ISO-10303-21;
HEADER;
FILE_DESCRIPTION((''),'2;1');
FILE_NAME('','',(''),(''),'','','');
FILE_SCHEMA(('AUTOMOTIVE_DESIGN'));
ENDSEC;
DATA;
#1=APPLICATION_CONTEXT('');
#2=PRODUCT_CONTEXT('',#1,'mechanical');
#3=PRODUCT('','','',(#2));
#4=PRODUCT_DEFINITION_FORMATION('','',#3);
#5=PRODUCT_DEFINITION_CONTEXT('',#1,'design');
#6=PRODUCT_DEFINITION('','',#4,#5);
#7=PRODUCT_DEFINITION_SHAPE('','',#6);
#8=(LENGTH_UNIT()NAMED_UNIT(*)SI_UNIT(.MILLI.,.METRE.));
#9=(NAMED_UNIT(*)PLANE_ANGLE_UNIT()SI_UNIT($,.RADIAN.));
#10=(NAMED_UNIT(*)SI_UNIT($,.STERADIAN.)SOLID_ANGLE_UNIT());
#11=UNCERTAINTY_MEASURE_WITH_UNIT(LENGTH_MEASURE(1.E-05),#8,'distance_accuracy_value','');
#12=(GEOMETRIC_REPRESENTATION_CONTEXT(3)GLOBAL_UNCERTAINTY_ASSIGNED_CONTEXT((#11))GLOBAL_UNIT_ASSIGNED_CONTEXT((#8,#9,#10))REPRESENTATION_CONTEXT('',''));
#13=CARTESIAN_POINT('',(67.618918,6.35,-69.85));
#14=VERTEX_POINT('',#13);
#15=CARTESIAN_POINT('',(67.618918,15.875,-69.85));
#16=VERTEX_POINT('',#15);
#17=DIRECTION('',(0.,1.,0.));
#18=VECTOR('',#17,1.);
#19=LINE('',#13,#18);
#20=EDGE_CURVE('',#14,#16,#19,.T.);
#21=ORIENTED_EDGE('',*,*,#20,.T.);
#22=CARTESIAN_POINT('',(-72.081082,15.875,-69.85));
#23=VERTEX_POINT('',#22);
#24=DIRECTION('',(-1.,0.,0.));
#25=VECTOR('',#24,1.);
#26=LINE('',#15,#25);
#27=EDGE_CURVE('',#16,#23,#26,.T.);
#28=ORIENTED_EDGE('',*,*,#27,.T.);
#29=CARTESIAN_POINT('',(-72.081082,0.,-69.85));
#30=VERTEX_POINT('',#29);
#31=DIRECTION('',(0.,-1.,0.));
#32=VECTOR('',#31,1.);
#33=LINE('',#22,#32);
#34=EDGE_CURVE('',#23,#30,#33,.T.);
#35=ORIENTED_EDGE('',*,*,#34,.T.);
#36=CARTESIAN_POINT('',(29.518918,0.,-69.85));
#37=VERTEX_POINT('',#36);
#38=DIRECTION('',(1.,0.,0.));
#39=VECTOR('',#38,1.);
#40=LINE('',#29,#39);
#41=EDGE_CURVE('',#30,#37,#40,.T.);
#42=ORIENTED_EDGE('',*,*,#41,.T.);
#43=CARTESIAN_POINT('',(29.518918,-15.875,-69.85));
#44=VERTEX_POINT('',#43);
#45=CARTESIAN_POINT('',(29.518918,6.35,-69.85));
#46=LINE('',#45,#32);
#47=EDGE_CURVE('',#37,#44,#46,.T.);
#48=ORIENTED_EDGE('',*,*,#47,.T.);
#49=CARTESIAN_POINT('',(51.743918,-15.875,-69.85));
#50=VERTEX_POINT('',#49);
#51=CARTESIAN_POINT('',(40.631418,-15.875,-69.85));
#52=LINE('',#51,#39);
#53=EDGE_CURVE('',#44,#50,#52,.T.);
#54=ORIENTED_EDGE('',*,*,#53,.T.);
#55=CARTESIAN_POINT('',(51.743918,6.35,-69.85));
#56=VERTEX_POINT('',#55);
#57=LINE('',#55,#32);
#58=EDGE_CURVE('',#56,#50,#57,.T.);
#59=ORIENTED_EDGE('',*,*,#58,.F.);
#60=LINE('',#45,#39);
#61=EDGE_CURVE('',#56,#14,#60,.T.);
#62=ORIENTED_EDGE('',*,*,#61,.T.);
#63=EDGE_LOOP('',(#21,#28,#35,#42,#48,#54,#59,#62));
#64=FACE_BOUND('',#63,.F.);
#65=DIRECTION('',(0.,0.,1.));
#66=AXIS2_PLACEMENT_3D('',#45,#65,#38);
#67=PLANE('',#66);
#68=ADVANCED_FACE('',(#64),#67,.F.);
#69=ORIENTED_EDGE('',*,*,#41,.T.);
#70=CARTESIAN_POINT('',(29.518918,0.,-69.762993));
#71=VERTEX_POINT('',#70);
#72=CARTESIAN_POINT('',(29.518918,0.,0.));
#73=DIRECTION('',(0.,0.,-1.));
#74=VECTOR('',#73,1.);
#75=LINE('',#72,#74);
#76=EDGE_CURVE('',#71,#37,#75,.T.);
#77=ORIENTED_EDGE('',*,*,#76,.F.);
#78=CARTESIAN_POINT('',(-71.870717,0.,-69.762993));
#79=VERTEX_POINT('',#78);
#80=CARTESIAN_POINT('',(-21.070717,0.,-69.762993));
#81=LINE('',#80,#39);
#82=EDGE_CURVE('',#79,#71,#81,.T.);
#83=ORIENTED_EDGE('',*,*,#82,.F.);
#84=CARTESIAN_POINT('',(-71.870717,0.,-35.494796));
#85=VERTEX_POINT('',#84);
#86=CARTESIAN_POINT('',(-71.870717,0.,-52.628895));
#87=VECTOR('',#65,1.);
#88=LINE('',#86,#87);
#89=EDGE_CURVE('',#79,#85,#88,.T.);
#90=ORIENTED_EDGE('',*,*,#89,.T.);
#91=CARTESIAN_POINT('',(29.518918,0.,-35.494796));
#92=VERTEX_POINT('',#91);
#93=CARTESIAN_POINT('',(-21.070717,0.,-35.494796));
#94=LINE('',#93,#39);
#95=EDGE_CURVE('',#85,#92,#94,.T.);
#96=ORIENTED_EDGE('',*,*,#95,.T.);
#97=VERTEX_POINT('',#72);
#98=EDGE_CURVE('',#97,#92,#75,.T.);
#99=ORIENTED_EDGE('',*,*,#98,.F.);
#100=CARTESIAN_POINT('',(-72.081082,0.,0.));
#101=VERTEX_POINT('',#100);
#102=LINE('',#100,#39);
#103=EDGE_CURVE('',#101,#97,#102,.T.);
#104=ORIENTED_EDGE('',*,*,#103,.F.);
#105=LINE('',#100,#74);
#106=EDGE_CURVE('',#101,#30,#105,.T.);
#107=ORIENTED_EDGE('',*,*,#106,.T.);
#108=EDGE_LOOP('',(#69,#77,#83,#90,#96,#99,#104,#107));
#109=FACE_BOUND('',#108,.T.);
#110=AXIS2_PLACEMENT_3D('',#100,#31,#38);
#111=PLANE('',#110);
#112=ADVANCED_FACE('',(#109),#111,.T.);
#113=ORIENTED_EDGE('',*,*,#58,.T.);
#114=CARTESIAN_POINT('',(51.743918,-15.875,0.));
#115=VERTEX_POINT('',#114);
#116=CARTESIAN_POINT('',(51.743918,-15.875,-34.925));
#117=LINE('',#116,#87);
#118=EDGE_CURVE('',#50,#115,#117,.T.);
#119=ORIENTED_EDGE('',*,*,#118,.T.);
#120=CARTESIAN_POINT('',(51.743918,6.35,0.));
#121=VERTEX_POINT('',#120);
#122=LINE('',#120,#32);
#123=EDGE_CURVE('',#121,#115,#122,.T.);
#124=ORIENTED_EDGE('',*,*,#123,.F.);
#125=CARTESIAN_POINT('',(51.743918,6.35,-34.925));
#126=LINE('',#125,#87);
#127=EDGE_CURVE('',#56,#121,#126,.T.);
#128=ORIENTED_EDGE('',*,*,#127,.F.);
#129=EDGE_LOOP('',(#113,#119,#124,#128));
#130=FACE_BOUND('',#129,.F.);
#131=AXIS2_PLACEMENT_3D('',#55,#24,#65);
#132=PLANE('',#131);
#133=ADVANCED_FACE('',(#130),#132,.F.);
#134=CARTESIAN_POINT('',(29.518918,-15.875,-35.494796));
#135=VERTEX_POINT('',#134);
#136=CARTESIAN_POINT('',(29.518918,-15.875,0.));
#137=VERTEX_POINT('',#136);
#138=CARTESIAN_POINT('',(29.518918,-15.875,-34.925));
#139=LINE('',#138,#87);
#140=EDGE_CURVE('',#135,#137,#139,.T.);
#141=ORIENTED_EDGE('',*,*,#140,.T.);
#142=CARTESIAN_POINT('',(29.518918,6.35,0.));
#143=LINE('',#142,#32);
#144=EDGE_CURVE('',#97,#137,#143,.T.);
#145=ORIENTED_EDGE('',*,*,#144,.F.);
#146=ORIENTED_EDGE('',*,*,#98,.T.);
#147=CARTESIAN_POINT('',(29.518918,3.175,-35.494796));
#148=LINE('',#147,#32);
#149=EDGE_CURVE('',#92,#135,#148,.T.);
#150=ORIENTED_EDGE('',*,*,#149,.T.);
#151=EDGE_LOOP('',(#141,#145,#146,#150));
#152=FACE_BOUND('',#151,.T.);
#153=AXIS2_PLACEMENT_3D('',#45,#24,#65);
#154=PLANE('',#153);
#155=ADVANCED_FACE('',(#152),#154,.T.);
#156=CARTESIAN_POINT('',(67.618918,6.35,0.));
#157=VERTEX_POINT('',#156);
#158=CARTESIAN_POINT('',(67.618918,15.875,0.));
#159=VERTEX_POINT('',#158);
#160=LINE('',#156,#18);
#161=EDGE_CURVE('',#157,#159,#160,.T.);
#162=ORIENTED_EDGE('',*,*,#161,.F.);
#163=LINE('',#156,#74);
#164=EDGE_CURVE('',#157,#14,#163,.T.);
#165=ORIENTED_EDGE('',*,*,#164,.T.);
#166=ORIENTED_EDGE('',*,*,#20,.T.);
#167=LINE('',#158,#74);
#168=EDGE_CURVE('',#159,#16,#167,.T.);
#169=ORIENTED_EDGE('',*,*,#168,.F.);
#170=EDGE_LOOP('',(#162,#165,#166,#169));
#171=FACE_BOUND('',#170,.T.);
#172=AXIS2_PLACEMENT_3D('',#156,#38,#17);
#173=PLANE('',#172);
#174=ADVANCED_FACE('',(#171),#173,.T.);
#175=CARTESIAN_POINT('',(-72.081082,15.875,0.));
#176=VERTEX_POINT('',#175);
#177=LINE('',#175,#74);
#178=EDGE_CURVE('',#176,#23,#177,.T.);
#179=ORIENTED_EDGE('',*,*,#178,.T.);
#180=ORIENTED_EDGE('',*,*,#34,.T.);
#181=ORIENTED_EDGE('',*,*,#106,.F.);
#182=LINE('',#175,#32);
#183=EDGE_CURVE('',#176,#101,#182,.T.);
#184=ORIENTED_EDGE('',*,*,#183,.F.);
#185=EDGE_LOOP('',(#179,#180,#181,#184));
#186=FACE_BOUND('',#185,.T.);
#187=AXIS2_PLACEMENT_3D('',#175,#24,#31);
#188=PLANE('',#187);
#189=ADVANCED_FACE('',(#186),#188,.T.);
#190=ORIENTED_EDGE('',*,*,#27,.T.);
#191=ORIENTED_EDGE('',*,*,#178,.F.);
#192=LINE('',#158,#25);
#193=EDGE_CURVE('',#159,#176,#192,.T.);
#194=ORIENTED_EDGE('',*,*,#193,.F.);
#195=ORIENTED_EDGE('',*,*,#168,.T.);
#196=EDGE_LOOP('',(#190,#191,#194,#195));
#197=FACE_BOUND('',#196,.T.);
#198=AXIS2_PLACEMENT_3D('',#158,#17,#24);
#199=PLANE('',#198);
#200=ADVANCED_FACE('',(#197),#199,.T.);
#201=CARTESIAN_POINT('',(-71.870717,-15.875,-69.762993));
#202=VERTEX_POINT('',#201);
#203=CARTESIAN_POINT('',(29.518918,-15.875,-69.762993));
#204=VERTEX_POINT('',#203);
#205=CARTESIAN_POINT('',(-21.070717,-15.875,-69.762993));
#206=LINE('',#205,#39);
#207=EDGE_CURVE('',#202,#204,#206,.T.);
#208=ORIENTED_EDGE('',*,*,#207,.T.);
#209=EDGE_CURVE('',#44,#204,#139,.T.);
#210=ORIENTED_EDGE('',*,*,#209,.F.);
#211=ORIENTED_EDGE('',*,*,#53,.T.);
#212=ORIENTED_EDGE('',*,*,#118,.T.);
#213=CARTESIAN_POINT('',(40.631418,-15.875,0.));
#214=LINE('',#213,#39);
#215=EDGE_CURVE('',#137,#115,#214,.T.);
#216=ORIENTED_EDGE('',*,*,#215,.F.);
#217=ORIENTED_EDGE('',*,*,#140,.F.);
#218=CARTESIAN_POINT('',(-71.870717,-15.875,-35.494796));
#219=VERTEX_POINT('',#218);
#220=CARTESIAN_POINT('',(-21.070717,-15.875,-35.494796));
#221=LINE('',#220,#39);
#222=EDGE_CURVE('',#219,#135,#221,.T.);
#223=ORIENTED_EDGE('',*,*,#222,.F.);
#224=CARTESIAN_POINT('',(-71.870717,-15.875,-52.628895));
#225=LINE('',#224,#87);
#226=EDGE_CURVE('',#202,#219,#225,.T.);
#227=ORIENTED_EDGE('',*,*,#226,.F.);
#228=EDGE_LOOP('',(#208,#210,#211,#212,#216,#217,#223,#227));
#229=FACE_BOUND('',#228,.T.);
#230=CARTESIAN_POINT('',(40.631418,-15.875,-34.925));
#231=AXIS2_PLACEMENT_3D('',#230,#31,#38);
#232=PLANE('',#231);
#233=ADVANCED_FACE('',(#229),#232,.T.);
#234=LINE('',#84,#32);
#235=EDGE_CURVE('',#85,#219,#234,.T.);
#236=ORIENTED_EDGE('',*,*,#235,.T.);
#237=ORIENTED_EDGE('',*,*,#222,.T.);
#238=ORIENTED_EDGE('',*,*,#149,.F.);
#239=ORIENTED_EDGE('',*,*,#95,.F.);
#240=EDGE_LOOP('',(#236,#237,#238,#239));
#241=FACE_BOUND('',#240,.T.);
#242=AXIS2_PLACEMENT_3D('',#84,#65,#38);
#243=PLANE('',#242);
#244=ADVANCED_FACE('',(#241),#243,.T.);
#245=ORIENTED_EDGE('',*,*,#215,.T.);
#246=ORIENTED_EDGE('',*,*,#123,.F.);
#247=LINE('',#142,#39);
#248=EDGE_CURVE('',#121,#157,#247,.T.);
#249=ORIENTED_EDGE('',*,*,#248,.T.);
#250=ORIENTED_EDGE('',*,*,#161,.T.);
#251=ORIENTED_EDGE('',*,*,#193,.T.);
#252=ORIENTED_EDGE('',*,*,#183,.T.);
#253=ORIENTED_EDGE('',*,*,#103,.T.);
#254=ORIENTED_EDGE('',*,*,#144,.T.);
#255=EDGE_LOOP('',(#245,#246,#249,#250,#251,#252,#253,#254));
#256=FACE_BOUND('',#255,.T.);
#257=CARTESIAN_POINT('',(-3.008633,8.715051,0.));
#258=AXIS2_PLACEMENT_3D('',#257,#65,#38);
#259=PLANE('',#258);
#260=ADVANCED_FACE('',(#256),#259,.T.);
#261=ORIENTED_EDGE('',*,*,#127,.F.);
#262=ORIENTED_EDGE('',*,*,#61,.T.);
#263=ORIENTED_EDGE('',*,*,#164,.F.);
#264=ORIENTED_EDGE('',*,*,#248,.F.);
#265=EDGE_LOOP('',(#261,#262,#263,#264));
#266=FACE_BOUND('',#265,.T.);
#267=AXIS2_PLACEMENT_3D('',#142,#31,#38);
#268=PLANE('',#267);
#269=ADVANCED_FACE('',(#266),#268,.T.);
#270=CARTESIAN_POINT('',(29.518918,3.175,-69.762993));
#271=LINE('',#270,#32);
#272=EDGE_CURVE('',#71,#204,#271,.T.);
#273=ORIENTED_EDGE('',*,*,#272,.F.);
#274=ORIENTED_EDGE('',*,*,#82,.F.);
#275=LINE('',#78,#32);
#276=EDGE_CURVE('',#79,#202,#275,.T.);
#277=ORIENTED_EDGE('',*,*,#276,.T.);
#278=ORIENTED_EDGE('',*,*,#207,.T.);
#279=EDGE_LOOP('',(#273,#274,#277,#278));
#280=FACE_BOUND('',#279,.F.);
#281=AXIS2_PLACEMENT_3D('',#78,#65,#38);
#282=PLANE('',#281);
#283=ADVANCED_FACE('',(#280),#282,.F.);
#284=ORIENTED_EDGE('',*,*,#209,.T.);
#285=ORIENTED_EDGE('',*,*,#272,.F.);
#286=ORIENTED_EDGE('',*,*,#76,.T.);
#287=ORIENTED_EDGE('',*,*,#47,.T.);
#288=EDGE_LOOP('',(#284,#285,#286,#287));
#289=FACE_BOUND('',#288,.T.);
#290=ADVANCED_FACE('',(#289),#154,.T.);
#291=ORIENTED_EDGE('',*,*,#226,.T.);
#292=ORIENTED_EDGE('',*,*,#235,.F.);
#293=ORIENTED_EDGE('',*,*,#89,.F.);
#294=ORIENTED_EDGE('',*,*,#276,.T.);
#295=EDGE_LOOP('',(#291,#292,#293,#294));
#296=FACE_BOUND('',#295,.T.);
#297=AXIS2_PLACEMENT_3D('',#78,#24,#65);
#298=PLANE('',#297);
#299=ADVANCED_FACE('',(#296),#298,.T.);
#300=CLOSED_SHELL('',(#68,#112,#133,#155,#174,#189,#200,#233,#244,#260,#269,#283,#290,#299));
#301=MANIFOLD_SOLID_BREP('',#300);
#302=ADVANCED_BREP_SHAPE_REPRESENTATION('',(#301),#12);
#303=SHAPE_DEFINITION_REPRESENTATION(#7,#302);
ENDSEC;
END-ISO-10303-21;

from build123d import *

# Parameters (mm, degrees)
F1_DEPTH = 69.85
F2_W     = 101.6
F2_H     = 34.268197
F3_DEPTH = 15.875
F4_W     = 22.225
F4_H     = 69.85
F5_DEPTH = 22.225


with BuildPart() as f1:
    # F0 (on Top) → F1 (new body)
    with BuildSketch(Plane.XY):
        Polygon((67.618918, 15.875), (-72.081082, 15.875), (-72.081082, 0), (23.168918, 0), (29.518918, 0), (29.518918, 6.35), (51.743918, 6.35), (67.618918, 6.35), align=None)
    extrude(amount=-F1_DEPTH)

    # F2 (on Front) → F3 (join)
    with BuildSketch(Plane.XZ):
        with Locations((-21.070717, -52.628895)):
            Rectangle(F2_W, F2_H)
    extrude(amount=F3_DEPTH)

    # F4 (on face) → F5 (join)
    with BuildSketch(Plane.XZ.offset(-6.35)):
        with Locations((40.631418, -34.925)):
            Rectangle(F4_W, F4_H)
    extrude(amount=F5_DEPTH)


solid = f1.part
